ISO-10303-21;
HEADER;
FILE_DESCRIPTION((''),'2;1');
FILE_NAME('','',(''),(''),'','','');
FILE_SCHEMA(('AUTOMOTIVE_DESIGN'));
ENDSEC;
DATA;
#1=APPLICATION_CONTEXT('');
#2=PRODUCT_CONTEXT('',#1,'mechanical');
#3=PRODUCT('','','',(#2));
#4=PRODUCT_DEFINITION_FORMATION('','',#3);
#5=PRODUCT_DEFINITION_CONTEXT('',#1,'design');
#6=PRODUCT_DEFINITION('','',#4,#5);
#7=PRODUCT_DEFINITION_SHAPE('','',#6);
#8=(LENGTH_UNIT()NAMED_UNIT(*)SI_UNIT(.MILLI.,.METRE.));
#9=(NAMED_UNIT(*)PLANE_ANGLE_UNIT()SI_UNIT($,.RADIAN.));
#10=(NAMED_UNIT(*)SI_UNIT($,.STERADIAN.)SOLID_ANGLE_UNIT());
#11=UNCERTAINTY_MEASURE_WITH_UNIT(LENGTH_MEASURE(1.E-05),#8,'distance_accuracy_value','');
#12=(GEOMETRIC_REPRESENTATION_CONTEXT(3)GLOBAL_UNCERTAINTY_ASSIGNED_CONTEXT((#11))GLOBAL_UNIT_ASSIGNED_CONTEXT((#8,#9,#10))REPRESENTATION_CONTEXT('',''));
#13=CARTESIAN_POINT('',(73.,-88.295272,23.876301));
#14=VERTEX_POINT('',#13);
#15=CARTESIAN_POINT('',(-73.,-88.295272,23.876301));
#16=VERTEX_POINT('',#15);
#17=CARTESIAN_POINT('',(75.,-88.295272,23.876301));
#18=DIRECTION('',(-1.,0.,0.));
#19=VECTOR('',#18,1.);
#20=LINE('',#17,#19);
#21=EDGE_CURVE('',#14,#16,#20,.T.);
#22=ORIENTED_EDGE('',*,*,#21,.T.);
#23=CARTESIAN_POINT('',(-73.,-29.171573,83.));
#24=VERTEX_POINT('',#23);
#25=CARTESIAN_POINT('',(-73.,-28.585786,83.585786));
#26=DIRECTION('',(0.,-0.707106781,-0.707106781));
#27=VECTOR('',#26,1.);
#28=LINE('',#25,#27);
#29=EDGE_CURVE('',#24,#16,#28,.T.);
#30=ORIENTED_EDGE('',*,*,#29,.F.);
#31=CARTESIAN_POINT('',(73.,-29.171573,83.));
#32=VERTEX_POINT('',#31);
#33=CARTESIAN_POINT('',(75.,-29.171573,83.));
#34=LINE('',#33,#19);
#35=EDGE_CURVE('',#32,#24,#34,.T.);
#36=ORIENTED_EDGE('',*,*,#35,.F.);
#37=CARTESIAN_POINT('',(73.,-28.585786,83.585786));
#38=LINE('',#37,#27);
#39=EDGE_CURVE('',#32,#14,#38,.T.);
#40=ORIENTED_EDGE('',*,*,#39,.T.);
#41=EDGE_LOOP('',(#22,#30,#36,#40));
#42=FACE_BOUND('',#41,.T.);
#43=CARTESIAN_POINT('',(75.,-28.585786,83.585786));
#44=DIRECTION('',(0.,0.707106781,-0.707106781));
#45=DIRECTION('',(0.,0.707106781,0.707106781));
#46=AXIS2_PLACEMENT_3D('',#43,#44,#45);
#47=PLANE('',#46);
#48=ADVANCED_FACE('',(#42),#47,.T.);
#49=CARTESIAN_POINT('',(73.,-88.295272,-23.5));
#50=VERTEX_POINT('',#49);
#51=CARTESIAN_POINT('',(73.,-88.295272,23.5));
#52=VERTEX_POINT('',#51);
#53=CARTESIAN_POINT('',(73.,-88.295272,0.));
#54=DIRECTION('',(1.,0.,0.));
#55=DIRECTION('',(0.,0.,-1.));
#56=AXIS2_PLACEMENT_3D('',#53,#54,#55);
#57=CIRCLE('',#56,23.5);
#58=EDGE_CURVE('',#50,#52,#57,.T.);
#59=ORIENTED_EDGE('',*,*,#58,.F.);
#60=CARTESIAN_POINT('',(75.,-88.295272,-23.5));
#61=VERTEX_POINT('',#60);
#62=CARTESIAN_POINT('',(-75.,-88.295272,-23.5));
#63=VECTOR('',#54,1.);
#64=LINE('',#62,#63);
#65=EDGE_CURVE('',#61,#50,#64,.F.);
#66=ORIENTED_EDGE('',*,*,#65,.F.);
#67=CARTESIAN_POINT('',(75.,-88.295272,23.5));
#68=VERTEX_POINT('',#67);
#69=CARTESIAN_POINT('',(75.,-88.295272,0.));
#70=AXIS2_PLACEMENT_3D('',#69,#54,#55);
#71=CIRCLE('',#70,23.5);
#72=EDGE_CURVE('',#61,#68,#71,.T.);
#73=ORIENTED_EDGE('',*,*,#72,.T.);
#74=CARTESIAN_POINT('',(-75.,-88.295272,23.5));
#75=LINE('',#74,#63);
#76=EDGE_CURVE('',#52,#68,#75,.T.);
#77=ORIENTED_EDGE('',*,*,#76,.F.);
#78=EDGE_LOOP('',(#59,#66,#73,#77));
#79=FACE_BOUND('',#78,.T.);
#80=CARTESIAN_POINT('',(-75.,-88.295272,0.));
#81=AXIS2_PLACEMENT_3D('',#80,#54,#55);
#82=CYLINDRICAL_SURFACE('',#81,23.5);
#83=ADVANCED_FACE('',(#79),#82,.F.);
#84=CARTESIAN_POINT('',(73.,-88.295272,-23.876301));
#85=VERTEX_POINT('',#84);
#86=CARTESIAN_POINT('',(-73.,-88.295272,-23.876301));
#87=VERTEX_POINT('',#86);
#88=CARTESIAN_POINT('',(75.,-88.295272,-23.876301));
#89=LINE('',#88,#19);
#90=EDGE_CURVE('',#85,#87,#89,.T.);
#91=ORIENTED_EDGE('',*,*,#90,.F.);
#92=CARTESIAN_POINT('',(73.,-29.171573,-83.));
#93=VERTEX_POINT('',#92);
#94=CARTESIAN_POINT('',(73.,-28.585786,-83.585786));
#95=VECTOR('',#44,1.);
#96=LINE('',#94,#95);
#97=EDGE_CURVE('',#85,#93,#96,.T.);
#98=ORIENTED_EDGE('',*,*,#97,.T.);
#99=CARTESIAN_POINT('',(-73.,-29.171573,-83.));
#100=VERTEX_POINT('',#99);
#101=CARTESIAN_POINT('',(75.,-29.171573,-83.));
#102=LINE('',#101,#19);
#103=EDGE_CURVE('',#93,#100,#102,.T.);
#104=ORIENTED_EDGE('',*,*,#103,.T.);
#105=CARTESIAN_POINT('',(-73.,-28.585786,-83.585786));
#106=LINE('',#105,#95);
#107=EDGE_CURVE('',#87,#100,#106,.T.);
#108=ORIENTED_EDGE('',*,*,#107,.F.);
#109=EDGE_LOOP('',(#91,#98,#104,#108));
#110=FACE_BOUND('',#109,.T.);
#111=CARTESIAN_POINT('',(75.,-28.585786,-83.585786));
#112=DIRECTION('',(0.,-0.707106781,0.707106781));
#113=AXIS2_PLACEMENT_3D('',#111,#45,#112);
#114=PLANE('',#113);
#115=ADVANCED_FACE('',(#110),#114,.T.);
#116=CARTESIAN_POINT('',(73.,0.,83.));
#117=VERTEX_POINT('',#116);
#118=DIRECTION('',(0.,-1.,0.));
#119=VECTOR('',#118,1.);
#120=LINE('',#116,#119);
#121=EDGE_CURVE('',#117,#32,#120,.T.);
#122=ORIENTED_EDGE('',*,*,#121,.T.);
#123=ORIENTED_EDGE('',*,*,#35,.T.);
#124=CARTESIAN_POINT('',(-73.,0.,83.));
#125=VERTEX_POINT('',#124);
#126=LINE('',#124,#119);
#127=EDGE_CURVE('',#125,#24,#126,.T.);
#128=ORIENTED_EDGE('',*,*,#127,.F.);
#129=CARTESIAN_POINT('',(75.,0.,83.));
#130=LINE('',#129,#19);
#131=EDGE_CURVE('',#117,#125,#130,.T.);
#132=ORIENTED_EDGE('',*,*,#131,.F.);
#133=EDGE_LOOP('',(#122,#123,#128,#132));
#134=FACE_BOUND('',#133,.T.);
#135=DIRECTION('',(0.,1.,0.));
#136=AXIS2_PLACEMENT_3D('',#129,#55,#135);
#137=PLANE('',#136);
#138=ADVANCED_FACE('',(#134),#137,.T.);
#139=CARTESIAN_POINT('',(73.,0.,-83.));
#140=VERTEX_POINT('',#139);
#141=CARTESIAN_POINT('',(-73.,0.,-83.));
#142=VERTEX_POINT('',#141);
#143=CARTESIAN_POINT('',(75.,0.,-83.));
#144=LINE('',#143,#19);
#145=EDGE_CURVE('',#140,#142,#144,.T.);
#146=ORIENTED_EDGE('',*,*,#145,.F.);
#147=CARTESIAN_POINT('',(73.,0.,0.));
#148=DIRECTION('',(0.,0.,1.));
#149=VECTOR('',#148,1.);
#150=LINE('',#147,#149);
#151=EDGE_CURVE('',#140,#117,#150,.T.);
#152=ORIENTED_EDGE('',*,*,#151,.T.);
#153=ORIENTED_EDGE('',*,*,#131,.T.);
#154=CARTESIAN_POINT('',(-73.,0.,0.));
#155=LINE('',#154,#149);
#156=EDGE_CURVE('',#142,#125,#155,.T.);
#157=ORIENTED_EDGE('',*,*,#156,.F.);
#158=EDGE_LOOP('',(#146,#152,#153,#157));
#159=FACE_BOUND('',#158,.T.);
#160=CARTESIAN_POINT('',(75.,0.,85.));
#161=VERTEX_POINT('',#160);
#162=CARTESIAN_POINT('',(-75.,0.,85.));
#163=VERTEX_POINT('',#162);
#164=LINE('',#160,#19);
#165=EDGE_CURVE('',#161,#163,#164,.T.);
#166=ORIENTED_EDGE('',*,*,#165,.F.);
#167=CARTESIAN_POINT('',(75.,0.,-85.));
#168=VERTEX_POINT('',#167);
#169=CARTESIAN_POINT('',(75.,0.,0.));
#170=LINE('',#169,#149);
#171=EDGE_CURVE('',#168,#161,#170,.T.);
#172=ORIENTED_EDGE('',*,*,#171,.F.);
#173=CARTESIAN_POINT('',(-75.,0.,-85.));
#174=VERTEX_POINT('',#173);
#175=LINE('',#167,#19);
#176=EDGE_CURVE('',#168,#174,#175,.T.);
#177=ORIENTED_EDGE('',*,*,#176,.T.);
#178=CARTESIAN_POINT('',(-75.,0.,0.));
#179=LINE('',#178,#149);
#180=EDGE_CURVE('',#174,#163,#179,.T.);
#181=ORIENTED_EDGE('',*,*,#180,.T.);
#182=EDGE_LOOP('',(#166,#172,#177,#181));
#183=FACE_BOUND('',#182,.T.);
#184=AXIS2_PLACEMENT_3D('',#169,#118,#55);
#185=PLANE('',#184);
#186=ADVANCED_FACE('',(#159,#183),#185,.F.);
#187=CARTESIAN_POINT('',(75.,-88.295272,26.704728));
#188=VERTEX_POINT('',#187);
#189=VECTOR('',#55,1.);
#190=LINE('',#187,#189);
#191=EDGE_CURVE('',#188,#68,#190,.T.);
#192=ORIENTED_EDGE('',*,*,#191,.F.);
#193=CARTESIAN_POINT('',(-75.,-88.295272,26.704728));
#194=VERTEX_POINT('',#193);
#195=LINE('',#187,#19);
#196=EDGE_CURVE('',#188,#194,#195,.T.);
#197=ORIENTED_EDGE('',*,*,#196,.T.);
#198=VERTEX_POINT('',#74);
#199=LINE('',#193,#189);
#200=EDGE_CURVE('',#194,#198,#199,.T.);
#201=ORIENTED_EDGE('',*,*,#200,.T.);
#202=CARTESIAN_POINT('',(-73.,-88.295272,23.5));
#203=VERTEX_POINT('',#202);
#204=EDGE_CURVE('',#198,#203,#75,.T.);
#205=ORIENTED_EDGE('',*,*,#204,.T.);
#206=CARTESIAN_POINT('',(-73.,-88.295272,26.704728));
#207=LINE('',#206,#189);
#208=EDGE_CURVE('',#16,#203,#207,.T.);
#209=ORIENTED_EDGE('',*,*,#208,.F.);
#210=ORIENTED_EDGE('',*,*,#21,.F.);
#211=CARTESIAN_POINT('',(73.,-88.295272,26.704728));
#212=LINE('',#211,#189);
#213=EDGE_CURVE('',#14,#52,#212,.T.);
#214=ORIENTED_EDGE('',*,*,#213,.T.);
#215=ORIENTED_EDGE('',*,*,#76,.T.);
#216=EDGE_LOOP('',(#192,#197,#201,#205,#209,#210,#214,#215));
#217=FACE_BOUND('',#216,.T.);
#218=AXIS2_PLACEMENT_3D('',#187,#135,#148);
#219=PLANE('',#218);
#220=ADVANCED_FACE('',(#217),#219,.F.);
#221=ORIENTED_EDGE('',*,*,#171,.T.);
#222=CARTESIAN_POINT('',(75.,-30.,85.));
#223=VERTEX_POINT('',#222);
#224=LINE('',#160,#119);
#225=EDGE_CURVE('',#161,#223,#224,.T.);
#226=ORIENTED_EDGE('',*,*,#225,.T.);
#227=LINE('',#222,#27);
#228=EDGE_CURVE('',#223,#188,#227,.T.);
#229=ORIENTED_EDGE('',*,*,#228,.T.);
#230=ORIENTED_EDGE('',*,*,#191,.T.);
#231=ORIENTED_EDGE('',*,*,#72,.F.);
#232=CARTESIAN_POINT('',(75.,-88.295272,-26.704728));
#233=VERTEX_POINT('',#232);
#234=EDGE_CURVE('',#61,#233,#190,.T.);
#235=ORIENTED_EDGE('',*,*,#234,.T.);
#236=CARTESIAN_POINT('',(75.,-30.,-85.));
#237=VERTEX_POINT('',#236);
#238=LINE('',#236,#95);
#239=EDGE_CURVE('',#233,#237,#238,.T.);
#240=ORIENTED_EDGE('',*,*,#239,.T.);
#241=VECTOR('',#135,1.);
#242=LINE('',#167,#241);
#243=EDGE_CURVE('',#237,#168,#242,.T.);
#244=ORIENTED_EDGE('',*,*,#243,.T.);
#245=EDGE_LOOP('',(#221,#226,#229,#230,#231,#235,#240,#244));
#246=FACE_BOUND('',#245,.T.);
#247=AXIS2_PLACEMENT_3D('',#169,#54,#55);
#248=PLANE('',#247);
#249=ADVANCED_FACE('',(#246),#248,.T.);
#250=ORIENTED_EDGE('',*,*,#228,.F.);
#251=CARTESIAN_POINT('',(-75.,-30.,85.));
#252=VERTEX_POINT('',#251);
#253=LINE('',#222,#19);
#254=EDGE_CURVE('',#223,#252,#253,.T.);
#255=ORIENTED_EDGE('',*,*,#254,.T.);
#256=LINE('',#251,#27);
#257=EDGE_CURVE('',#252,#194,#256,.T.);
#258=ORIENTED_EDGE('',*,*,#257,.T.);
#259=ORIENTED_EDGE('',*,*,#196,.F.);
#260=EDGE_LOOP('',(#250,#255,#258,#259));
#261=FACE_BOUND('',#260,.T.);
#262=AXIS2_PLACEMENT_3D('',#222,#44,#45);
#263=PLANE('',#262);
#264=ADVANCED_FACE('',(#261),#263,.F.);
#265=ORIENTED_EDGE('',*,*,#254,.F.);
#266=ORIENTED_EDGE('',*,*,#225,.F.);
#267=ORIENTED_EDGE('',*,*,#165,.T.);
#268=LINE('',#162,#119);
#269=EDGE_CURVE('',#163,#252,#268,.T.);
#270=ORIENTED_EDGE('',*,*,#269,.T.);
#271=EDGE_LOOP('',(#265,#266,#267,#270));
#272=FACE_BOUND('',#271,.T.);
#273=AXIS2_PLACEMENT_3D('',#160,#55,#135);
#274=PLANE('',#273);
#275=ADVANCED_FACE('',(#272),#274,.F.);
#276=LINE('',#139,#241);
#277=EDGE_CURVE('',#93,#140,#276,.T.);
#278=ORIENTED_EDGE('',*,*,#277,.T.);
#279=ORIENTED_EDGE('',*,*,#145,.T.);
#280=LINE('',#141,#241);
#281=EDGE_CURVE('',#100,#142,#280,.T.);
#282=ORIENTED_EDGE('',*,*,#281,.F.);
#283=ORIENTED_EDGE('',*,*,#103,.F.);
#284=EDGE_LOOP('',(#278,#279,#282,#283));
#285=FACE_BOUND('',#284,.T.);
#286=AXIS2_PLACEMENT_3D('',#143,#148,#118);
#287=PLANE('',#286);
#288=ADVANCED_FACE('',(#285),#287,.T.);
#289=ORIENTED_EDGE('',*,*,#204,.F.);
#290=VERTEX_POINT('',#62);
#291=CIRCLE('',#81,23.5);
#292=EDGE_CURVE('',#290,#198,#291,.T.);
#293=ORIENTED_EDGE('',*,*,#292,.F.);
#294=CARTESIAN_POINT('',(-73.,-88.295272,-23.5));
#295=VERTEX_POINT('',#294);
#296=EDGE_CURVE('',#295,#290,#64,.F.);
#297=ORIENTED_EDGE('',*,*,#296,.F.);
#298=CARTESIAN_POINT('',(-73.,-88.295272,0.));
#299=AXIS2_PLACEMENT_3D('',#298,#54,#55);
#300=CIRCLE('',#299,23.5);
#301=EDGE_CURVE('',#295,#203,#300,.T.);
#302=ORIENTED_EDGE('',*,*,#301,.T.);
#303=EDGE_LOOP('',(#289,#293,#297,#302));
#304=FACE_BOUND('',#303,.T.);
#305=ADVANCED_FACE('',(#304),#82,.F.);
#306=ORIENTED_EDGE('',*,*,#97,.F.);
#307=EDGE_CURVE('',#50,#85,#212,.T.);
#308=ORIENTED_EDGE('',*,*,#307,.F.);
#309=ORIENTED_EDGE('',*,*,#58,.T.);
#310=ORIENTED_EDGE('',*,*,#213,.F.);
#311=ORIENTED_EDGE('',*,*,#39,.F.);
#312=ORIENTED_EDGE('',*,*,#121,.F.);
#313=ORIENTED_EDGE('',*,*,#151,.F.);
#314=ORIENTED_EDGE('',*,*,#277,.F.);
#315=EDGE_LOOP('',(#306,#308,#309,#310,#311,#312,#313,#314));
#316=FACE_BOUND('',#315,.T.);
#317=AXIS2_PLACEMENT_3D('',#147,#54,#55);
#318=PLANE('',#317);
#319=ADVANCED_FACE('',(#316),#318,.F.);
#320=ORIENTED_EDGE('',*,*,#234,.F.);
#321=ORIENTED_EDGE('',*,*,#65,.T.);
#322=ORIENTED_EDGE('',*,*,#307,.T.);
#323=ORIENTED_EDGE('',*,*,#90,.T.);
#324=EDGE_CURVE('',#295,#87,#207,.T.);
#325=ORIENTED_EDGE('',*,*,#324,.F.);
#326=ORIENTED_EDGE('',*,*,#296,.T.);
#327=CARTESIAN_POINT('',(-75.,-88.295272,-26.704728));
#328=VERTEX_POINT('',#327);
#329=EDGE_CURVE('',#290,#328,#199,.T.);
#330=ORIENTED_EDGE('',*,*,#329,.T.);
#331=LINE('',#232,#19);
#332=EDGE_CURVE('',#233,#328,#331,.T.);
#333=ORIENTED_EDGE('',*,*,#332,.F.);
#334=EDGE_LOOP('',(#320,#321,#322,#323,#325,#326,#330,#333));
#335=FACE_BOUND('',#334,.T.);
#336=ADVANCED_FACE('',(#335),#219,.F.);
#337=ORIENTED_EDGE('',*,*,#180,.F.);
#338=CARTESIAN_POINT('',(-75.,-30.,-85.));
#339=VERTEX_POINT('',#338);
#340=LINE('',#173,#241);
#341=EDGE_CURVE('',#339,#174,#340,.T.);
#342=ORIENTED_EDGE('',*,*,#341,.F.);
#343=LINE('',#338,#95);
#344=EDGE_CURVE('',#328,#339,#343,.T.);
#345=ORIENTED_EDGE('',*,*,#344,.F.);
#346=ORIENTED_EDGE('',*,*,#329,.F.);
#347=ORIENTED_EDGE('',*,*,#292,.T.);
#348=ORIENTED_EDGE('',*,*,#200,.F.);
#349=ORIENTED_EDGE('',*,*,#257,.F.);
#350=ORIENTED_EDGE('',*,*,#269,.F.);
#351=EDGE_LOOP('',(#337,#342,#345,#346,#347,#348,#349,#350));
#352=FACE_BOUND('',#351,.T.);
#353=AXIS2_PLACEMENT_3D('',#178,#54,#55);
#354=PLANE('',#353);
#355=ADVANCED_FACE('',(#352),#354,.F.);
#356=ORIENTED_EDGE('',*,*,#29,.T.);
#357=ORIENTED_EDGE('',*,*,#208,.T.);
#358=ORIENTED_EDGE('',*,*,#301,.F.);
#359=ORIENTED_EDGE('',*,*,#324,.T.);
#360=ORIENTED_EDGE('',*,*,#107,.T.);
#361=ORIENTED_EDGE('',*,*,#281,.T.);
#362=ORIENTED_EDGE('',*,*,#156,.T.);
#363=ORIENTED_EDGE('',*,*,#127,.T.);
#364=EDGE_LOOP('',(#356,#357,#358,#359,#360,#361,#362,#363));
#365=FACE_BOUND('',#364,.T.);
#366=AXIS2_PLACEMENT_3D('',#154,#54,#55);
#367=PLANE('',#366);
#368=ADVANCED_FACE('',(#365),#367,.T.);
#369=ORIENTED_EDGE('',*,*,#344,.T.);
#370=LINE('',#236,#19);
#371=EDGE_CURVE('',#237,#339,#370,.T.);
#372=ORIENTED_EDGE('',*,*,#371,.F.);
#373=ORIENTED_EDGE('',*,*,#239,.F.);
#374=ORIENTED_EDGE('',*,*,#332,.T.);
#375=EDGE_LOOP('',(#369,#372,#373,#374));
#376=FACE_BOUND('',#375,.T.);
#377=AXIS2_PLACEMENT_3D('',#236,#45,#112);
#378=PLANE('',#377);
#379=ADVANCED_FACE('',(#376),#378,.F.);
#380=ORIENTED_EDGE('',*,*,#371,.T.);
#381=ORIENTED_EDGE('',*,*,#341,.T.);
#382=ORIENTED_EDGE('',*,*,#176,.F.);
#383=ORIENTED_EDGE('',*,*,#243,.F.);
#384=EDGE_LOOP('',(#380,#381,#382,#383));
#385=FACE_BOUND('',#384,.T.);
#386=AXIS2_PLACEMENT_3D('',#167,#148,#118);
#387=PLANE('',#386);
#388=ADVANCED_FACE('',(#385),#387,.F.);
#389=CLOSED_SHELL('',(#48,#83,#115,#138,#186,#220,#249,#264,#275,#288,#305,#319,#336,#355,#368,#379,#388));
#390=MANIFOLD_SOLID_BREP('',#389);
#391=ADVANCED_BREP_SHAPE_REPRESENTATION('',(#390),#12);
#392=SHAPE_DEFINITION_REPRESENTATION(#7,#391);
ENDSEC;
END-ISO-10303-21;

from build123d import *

# Parameters (mm, degrees)
EXTRUDE_1_DEPTH     = 75
SHELL_1_T           = -2
SKETCH_2_R          = 23.5
CUT_EXTRUDE_1_DEPTH = 194.70352352


with BuildPart() as part:
    # 草图1 → 凸台-拉伸1 (new, symmetric)
    with BuildSketch(Plane(origin=(0, 0, 0), x_dir=(0, 0, -1), z_dir=(1, 0, 0))):
        Polygon((0, 0), (85, 0), (85, -30), (26.704728189, -88.295271811), (-26.704728189, -88.295271811), (-85, -30), (-85, 0), align=None)
    extrude(amount=EXTRUDE_1_DEPTH, both=True)

    # 抽壳1
    shell_1_openings = [part.faces().sort_by_distance(p)[0] for p in [
        (0, 0, 0),
        (0, -88.295271811, 0),
    ]]
    offset(amount=SHELL_1_T, openings=shell_1_openings, kind=Kind.INTERSECTION)

    # 草图2 → 切除-拉伸1 (cut, through all)
    with BuildSketch(Plane(origin=(75, 0, 0), x_dir=(0, 0, -1), z_dir=(1, 0, 0))):
        with Locations((0, -88.295271811)):
            Circle(SKETCH_2_R)
    extrude(amount=-CUT_EXTRUDE_1_DEPTH, mode=Mode.SUBTRACT)


solid = part.part
